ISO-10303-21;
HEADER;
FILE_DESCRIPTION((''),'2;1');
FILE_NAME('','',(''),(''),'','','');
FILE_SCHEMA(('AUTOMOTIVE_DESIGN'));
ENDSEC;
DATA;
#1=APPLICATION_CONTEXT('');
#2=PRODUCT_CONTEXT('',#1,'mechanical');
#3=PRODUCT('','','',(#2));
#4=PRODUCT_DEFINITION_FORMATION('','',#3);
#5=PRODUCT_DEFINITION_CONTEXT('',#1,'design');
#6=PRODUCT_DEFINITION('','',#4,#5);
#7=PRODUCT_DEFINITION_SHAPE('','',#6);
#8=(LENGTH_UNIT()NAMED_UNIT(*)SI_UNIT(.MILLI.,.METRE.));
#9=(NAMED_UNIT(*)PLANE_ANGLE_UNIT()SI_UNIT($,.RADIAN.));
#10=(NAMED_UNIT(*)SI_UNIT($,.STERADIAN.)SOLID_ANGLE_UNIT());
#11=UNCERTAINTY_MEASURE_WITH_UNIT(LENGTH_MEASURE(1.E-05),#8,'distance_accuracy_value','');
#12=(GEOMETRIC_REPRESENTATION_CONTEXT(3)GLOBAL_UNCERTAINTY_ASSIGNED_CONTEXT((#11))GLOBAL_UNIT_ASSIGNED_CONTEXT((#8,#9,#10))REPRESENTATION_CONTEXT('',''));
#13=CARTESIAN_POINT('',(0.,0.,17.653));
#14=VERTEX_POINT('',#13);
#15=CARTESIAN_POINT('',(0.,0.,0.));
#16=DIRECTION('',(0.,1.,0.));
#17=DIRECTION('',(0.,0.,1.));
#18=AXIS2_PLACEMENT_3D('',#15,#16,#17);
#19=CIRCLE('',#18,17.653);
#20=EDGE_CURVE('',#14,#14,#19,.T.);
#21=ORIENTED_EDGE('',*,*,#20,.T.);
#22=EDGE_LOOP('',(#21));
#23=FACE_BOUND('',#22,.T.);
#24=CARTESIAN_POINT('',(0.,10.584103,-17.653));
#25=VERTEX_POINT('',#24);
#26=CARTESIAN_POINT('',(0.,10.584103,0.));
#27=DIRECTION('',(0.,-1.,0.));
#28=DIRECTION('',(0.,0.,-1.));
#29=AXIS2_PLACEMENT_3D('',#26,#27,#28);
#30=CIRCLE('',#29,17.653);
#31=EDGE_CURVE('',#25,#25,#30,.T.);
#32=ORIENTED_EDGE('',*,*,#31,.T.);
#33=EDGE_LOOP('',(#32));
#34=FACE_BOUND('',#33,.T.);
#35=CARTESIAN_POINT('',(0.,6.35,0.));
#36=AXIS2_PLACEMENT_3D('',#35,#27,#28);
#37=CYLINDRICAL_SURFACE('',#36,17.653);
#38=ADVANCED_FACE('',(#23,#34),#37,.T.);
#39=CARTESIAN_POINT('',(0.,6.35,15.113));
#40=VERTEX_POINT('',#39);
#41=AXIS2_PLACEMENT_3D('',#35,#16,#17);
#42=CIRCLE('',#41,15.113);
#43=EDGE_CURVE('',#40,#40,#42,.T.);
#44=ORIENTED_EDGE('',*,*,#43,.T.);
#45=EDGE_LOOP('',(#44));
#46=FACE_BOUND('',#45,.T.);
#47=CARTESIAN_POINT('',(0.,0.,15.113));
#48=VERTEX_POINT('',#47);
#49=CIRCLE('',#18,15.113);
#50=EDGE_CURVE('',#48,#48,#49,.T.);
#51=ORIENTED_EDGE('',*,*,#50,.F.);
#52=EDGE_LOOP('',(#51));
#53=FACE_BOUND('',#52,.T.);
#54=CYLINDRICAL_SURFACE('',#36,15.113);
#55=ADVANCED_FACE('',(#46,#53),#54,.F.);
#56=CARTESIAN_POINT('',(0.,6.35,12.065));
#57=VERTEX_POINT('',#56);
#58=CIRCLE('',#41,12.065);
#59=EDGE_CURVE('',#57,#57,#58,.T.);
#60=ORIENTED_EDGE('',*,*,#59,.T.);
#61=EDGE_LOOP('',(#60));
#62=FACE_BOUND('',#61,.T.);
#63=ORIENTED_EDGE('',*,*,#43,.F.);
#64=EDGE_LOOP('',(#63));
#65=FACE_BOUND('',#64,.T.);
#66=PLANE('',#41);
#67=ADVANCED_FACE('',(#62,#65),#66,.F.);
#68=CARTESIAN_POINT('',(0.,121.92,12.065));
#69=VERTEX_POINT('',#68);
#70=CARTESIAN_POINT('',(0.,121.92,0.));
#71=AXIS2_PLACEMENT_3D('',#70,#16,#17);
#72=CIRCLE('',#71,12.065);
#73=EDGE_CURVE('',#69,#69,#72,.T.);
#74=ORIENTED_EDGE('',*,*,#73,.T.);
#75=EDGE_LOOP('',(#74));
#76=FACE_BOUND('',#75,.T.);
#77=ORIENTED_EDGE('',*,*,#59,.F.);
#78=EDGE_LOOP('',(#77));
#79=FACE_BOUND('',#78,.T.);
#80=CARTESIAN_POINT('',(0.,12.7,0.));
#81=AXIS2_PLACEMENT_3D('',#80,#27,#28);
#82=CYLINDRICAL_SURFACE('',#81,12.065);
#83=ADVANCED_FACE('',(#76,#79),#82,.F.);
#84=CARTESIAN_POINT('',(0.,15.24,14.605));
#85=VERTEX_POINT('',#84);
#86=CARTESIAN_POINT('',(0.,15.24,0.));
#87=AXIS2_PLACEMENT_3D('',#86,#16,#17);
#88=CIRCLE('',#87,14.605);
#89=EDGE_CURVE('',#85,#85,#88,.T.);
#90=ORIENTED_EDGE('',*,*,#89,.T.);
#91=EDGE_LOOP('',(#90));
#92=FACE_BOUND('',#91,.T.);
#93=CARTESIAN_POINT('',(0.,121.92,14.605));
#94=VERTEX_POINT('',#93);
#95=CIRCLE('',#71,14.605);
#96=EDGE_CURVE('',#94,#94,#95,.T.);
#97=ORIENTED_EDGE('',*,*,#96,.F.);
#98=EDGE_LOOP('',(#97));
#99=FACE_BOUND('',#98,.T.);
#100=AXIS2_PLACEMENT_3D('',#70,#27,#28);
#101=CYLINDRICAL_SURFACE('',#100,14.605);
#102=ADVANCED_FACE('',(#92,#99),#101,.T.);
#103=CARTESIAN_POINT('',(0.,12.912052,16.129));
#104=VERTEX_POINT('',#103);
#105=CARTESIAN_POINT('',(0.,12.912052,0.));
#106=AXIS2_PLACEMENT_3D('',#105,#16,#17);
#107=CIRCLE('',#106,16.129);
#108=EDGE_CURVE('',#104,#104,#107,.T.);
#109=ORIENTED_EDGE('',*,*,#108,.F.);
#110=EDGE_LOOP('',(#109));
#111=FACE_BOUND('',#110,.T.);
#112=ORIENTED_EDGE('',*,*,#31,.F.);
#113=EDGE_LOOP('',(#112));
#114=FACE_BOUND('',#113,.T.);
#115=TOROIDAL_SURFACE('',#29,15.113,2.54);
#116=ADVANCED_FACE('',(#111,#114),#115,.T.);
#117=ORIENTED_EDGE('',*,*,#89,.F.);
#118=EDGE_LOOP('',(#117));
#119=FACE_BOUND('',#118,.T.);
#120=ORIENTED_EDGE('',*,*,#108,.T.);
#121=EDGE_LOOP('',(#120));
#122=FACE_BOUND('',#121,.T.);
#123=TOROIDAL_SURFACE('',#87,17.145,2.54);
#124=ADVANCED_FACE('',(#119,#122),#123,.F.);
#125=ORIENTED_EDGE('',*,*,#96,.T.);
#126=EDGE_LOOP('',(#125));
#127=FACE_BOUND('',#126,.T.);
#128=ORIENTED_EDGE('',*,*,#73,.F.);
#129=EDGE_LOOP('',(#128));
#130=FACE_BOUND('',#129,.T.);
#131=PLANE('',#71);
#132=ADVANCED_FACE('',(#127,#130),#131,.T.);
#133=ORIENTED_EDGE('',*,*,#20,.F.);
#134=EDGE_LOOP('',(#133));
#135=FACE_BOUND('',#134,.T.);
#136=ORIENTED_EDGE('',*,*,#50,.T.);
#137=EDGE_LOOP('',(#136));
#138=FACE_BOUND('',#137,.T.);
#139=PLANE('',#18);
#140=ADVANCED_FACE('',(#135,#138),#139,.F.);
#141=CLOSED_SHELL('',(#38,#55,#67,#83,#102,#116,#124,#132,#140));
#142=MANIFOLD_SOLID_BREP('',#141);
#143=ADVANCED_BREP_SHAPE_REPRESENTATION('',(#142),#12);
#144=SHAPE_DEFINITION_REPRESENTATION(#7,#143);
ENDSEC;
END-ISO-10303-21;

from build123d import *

# Parameters (mm, degrees)
SKETCH1_R           = 17.653
SKETCH1_R_2         = 15.113
BOSS_EXTRUDE1_DEPTH = 6.35
SKETCH2_R           = 17.653
SKETCH2_R_2         = 12.065
BOSS_EXTRUDE2_DEPTH = 6.35
SKETCH3_R           = 14.605
SKETCH3_R_2         = 12.065
BOSS_EXTRUDE3_DEPTH = 109.22
FILLET1_R           = 2.54
FILLET2_R           = 2.54


with BuildPart() as part:
    # Sketch1 → Boss-Extrude1 (new body)
    with BuildSketch(Plane(origin=(0, 0, 0), x_dir=(1, 0, 0), z_dir=(0, 1, 0))):
        with Locations(Location((0, 0, 0), (0, 0, 270))):
            Circle(SKETCH1_R)
        with Locations(Location((0, 0, 0), (0, 0, 270))):
            Circle(SKETCH1_R_2, mode=Mode.SUBTRACT)
    extrude(amount=BOSS_EXTRUDE1_DEPTH)

    # Sketch2 → Boss-Extrude2 (add)
    with BuildSketch(Plane(origin=(0, 6.35, 0), x_dir=(1, 0, 0), z_dir=(0, 1, 0))):
        with Locations(Location((0, 0, 0), (0, 0, 270))):
            Circle(SKETCH2_R)
        with Locations(Location((0, 0, 0), (0, 0, 270))):
            Circle(SKETCH2_R_2, mode=Mode.SUBTRACT)
    extrude(amount=BOSS_EXTRUDE2_DEPTH)

    # Sketch3 → Boss-Extrude3 (add)
    with BuildSketch(Plane(origin=(0, 12.7, 0), x_dir=(1, 0, 0), z_dir=(0, 1, 0))):
        with Locations(Location((0, 0, 0), (0, 0, 270))):
            Circle(SKETCH3_R)
        with Locations(Location((0, 0, 0), (0, 0, 270))):
            Circle(SKETCH3_R_2, mode=Mode.SUBTRACT)
    extrude(amount=BOSS_EXTRUDE3_DEPTH)

    # Fillet1
    fillet1_edges = [part.edges().sort_by_distance(p)[0] for p in [
        (0, 12.7, -14.605),
    ]]
    fillet(fillet1_edges, radius=FILLET1_R)

    # Fillet2
    fillet2_edges = [part.edges().sort_by_distance(p)[0] for p in [
        (0, 12.7, -17.653),
    ]]
    fillet(fillet2_edges, radius=FILLET2_R)


solid = part.part
